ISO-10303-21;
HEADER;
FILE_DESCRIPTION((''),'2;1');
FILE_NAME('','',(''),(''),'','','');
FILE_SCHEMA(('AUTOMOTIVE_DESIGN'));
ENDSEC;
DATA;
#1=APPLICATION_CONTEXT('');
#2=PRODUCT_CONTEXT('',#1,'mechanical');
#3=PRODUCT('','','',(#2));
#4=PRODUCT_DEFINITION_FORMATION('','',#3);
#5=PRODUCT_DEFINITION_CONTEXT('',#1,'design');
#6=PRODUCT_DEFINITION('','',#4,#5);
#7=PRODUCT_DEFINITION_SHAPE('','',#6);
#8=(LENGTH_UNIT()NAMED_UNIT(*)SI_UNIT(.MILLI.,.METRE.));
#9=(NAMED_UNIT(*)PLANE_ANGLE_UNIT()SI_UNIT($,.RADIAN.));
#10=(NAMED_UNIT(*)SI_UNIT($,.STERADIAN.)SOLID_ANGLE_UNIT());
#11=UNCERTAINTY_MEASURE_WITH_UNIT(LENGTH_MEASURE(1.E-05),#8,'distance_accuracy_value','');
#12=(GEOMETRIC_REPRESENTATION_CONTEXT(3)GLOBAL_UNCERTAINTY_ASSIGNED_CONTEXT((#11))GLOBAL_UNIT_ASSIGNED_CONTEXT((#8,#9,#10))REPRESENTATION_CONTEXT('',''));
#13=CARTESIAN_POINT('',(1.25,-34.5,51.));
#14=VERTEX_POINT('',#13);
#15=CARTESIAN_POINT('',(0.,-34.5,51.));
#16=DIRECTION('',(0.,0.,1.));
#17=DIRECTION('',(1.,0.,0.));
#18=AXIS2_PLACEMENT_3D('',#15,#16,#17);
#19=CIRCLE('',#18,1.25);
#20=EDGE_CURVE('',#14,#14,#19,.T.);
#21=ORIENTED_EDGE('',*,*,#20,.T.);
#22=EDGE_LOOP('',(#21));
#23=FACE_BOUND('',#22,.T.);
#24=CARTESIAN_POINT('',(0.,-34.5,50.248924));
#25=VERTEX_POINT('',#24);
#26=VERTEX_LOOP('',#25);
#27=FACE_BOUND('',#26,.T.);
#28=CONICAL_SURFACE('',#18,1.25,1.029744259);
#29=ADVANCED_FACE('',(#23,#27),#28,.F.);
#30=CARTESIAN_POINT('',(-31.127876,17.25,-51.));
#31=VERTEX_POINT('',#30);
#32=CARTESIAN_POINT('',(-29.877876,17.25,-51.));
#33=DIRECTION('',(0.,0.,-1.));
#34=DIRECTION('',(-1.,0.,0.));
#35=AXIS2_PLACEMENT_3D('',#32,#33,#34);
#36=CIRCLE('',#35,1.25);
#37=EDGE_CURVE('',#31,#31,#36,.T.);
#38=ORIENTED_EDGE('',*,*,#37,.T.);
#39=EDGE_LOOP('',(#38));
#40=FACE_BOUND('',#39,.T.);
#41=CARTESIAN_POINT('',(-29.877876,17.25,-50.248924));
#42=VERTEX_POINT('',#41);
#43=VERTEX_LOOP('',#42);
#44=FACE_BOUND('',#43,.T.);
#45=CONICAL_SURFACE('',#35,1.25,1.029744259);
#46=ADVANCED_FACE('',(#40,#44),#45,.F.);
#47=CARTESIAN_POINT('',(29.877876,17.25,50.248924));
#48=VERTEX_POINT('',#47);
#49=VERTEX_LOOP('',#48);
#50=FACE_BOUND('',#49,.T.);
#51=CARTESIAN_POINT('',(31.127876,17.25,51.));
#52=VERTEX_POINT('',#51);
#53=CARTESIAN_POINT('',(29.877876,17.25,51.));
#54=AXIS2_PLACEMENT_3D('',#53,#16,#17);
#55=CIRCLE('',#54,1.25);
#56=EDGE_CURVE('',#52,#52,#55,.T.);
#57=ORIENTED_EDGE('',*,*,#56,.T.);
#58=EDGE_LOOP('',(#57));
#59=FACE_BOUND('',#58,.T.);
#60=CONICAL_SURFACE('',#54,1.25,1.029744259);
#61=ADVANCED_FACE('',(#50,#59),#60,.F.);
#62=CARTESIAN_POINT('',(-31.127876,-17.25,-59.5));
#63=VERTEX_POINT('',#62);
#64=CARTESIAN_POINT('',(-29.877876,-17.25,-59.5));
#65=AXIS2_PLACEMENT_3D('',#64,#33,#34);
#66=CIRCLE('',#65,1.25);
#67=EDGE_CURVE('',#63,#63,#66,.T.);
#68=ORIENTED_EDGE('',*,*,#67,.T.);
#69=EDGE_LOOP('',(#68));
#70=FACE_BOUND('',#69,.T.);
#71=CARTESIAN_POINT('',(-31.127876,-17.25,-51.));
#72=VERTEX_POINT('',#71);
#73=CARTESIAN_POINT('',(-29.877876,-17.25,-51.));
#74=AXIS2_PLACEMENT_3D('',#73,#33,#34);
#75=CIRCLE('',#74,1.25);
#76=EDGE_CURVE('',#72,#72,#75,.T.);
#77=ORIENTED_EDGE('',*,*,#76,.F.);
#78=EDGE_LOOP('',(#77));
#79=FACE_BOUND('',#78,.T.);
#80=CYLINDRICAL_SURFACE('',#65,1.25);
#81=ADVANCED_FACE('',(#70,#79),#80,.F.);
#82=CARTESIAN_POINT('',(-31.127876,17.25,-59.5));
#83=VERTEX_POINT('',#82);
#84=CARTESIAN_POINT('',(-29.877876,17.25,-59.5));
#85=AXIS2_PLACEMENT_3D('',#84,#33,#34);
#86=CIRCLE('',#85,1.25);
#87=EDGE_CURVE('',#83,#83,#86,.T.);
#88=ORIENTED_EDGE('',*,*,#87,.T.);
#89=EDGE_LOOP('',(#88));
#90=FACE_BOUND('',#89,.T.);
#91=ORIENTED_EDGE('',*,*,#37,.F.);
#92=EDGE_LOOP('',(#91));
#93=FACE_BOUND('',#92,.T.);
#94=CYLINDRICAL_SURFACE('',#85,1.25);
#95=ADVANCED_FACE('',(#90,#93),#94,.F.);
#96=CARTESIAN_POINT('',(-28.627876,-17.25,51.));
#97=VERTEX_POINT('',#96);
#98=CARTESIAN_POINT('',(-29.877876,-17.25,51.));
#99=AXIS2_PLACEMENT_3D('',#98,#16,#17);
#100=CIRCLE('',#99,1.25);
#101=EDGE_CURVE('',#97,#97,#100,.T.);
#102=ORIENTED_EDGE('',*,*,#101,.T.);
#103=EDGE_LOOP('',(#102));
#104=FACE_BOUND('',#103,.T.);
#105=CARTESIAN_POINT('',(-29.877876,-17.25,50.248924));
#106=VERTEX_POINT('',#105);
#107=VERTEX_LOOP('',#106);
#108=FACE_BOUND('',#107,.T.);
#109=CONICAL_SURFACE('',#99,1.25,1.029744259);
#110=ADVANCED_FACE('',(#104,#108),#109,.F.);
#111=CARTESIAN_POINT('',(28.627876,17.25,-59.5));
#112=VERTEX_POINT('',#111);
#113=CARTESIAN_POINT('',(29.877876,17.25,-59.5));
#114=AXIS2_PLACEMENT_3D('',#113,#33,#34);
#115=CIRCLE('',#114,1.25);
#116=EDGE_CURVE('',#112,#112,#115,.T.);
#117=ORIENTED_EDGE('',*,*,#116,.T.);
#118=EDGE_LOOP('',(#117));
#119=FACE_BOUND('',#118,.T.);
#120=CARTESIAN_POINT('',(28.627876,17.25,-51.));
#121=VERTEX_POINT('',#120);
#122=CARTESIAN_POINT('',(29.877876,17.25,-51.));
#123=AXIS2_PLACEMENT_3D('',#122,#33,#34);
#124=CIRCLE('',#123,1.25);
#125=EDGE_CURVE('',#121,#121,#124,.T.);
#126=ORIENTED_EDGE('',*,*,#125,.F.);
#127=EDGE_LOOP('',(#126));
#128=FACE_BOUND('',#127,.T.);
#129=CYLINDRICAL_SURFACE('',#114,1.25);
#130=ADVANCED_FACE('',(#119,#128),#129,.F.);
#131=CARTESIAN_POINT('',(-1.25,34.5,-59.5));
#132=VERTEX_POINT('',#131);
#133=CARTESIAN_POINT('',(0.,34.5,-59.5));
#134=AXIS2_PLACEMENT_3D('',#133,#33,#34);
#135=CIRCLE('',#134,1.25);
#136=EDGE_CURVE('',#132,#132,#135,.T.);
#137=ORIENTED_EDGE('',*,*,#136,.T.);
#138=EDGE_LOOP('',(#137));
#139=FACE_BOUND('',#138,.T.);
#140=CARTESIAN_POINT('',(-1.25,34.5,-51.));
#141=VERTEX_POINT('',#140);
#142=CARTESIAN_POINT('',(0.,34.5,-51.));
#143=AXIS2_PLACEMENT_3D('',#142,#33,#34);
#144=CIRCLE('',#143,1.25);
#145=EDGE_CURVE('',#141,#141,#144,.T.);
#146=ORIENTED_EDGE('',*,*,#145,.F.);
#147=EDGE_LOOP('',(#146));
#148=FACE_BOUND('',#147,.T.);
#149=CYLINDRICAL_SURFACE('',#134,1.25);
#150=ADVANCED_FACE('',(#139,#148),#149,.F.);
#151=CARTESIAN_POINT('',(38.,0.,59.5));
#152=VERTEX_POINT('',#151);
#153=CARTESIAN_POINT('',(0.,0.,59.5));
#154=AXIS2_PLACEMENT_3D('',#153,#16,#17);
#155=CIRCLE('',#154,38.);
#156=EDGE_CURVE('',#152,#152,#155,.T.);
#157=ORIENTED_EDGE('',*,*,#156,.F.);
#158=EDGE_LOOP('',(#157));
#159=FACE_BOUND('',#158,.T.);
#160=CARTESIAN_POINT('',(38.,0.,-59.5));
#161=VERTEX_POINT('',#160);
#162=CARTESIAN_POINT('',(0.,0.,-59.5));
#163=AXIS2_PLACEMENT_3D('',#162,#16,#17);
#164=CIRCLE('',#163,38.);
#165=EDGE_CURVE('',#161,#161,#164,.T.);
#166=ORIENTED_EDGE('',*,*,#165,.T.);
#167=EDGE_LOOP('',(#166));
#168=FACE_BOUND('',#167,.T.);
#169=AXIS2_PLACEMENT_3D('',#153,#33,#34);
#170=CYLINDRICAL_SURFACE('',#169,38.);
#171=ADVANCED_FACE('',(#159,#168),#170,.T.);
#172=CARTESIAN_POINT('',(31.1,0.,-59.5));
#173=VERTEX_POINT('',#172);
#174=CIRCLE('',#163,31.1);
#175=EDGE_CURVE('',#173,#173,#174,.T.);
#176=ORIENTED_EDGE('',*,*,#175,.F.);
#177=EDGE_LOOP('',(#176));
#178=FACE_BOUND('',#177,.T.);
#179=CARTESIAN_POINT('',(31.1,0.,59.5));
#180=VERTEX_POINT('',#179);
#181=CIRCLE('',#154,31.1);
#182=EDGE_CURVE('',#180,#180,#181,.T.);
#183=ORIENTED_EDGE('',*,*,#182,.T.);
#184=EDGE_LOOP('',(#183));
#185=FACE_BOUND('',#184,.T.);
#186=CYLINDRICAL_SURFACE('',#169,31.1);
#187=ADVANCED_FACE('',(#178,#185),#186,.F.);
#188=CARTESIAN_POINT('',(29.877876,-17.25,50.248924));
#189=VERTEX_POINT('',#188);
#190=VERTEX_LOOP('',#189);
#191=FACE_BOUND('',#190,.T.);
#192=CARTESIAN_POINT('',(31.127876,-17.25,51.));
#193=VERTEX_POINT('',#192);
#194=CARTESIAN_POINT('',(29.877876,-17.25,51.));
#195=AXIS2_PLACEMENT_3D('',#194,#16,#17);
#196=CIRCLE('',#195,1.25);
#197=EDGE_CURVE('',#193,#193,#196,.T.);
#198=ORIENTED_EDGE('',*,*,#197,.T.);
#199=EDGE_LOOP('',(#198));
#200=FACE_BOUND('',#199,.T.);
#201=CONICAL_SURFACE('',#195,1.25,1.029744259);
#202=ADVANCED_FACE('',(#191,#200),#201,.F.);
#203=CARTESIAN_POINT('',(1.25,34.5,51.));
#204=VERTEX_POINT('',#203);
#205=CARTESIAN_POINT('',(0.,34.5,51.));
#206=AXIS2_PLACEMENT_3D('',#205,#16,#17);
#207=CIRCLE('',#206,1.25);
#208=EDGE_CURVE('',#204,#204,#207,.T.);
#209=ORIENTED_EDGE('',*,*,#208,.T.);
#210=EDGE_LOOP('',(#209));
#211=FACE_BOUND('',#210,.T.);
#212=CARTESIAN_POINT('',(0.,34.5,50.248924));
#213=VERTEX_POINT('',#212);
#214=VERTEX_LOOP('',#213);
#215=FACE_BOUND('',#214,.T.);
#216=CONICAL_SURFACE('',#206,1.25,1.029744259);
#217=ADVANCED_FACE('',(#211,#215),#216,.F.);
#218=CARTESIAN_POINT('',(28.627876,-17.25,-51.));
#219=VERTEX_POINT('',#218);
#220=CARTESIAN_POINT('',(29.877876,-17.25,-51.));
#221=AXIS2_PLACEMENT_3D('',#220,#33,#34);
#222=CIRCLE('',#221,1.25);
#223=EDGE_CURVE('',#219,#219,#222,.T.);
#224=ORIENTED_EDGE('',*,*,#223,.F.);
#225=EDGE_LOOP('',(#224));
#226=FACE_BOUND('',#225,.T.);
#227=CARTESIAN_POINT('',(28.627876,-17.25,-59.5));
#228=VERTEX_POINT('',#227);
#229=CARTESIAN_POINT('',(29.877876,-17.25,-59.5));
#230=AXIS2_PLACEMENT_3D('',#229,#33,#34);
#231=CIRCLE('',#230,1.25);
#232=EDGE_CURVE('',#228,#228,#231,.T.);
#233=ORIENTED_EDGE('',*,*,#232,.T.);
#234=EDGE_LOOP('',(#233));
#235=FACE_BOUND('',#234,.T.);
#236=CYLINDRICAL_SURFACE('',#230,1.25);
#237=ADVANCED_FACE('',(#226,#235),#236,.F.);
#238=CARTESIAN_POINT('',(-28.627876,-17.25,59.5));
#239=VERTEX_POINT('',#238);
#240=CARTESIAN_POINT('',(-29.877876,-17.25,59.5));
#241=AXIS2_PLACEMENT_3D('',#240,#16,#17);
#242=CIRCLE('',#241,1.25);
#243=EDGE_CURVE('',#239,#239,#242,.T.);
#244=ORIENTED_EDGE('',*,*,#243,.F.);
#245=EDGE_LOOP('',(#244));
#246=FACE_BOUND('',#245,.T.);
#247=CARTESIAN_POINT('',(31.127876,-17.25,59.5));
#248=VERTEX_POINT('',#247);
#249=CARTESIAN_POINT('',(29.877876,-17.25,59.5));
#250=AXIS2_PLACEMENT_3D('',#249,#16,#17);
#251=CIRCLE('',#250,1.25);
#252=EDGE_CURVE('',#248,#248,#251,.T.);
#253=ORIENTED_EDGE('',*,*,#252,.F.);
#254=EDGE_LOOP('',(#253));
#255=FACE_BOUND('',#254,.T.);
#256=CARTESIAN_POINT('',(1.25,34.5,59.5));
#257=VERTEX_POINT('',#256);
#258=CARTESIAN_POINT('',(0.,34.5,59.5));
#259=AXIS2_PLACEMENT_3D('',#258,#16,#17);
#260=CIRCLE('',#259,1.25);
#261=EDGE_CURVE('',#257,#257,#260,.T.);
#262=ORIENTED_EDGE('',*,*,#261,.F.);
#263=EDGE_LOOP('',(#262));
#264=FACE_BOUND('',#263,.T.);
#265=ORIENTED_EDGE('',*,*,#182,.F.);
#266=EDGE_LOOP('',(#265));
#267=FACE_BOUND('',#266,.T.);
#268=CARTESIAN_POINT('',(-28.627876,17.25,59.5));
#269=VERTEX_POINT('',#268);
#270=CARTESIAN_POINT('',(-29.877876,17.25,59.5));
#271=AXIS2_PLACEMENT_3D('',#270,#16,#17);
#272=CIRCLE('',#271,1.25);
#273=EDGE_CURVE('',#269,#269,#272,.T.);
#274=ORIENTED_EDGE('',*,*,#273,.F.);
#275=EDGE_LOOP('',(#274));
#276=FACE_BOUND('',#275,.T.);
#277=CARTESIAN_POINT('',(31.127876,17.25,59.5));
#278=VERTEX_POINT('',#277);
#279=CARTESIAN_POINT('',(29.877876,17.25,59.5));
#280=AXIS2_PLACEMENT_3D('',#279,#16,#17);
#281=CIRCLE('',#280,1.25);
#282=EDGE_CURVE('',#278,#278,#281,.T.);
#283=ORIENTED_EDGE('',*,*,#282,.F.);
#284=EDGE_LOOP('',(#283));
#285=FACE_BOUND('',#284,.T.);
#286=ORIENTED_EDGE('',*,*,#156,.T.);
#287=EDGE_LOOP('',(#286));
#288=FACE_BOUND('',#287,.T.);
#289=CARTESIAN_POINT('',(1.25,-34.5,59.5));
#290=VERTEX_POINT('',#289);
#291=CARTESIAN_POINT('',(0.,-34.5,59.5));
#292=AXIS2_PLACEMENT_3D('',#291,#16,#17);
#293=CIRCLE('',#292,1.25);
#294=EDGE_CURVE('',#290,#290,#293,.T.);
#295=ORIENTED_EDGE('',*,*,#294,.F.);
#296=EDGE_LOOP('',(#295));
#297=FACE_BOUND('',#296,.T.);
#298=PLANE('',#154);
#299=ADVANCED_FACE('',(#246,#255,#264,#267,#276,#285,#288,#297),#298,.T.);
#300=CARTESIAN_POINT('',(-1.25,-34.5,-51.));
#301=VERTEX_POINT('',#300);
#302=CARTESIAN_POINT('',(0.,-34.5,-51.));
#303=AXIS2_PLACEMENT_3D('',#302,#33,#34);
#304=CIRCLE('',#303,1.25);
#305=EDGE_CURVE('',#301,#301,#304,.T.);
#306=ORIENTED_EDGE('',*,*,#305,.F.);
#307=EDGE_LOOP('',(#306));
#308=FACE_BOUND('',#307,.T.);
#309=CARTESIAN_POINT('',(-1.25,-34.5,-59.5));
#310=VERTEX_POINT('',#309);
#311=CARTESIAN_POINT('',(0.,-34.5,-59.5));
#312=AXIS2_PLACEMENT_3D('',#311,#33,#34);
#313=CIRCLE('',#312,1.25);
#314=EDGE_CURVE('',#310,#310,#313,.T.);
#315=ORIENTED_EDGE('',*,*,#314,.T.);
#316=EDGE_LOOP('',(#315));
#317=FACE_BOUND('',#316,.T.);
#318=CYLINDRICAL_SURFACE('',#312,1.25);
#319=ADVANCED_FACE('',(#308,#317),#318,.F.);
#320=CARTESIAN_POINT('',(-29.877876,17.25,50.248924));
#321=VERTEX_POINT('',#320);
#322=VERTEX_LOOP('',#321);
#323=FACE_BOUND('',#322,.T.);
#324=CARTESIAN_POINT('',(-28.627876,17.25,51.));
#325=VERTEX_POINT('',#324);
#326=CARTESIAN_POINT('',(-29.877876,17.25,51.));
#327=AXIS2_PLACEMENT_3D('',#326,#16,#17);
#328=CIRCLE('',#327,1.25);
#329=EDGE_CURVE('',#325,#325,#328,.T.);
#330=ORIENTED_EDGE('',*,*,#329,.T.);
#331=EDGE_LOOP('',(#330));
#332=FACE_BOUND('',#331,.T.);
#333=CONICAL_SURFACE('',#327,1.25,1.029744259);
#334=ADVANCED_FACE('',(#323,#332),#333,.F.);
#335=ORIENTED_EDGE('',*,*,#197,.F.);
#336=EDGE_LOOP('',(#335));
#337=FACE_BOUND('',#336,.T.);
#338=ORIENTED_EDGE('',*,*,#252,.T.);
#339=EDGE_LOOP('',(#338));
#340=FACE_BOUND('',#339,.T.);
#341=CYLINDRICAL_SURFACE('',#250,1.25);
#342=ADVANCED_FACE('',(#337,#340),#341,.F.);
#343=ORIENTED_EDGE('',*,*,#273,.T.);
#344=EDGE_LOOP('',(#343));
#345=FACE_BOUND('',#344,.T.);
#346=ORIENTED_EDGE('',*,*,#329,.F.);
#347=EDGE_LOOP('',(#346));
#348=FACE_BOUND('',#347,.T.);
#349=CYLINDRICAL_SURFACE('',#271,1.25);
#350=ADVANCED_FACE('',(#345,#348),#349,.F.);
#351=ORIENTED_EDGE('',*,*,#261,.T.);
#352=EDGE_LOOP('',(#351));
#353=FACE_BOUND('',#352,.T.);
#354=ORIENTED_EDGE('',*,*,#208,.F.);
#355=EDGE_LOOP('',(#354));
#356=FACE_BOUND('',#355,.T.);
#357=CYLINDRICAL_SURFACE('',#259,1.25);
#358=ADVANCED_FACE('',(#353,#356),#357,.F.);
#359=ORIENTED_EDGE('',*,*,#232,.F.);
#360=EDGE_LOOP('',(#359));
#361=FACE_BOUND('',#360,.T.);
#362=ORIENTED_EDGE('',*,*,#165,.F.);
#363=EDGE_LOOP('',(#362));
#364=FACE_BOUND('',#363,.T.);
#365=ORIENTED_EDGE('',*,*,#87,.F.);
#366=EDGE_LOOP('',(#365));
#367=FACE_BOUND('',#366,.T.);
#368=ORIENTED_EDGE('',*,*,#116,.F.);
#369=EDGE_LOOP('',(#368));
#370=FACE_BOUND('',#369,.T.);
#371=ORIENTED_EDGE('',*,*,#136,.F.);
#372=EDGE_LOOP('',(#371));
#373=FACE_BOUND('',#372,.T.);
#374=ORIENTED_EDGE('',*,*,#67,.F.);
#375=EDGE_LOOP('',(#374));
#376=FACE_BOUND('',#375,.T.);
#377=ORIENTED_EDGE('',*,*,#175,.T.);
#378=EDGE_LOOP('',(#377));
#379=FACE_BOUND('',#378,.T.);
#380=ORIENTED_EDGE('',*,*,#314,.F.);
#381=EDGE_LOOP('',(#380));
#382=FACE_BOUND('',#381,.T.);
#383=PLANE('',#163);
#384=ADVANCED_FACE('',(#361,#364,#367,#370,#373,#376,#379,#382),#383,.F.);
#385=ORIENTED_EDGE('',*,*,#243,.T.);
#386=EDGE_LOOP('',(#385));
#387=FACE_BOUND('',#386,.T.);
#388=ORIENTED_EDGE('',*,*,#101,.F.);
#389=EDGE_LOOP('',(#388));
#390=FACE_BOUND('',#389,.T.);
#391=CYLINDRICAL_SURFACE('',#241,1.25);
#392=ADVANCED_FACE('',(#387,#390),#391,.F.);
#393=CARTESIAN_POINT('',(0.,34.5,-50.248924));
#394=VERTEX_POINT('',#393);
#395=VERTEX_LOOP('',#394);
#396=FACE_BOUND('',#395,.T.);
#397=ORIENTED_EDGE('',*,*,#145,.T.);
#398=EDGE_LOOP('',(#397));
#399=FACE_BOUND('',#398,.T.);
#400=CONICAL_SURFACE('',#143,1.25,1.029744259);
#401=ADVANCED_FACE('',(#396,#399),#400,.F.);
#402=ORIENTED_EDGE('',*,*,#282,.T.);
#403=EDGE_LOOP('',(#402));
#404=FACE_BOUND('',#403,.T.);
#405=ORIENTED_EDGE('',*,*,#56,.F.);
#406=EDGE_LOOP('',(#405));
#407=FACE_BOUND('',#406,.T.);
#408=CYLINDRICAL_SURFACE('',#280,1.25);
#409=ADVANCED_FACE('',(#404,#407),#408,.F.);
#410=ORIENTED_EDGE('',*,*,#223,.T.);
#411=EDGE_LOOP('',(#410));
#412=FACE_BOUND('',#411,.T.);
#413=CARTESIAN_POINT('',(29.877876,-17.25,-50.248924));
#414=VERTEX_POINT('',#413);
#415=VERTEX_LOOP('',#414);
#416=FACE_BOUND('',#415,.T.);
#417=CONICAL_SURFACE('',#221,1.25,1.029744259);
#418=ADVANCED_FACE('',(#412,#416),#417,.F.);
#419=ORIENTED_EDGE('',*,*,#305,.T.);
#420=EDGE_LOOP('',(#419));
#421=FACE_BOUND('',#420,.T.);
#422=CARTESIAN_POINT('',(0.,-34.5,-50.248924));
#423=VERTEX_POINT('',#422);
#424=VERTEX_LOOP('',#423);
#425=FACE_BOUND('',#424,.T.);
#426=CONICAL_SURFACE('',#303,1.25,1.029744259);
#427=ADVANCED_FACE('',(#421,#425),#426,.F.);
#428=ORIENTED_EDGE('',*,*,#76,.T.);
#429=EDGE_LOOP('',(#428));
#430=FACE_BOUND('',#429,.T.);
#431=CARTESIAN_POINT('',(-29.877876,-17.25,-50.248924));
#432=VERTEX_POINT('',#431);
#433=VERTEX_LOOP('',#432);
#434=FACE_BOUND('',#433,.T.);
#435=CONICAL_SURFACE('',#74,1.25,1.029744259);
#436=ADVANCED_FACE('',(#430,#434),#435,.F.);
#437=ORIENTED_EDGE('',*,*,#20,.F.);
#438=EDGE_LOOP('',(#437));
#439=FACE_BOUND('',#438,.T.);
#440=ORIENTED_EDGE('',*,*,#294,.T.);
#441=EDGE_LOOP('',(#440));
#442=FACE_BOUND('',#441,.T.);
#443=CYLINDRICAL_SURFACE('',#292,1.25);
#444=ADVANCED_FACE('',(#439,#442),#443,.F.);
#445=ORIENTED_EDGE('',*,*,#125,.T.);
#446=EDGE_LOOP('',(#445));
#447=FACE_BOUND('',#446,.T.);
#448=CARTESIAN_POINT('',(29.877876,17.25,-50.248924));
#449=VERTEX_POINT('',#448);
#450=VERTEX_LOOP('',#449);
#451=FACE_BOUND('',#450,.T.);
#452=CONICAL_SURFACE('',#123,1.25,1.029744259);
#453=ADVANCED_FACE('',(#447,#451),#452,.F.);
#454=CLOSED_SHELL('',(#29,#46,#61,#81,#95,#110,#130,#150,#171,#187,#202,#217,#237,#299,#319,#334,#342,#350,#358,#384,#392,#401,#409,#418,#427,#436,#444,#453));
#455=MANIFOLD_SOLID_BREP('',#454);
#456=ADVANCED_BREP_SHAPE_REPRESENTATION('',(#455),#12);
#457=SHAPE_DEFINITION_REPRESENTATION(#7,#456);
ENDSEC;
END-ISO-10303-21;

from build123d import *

# Parameters (mm, degrees)
SKETCH_1_R                  = 38
SKETCH_1_R_2                = 31.1
EXTRUDE_1_DEPTH             = 59.5
HOLE_WIZARD_M3_1_AT_2_COUNT = 2
HOLE_WIZARD_M3_1_AT_2_PITCH = 34.5
HOLE_WIZARD_M3_1_AT_3_COUNT = 2
HOLE_WIZARD_M3_1_AT_3_PITCH = 59.755752861
HOLE_WIZARD_M3_1_AT_4_COUNT = 2
HOLE_WIZARD_M3_1_AT_4_PITCH = 69
HOLE_WIZARD_M3_1_AT_5_COUNT = 2
HOLE_WIZARD_M3_1_AT_5_PITCH = 59.755752861
HOLE_WIZARD_M3_1_AT_6_COUNT = 2
HOLE_WIZARD_M3_1_AT_6_PITCH = 34.5


with BuildPart() as part:
    # 草图1 → 凸台-拉伸1 (new, symmetric)
    with BuildSketch(Plane.XY):
        Circle(SKETCH_1_R)
        Circle(SKETCH_1_R_2, mode=Mode.SUBTRACT)
    extrude(amount=EXTRUDE_1_DEPTH, both=True)

    # 草图2 → M3 螺纹孔1 (revolve, cut)
    with BuildSketch(Plane(origin=(0, 34.5, 59.5), x_dir=(0, -1, 0), z_dir=(1, 0, 0))):
        Polygon((0, 0), (0, 9.251075774), (1.25, 8.5), (1.25, 0), align=None)
    hole_wizard_m3_1 = revolve(axis=Axis((0, 34.5, 65.85), (0, 0, -1)), mode=Mode.SUBTRACT)

    # M3 螺纹孔1 at 2: M3 螺纹孔1 ×2
    with Locations(*[Vector(0.8660254037844671, -0.49999999999995076, 0) * (i * HOLE_WIZARD_M3_1_AT_2_PITCH) for i in range(1, HOLE_WIZARD_M3_1_AT_2_COUNT)]):
        add(hole_wizard_m3_1, mode=Mode.SUBTRACT)

    # M3 螺纹孔1 at 3: M3 螺纹孔1 ×2
    with Locations(*[Vector(0.5000000000000492, -0.8660254037844103, 0) * (i * HOLE_WIZARD_M3_1_AT_3_PITCH) for i in range(1, HOLE_WIZARD_M3_1_AT_3_COUNT)]):
        add(hole_wizard_m3_1, mode=Mode.SUBTRACT)

    # M3 螺纹孔1 at 4: M3 螺纹孔1 ×2
    with Locations(*[(0, -i * HOLE_WIZARD_M3_1_AT_4_PITCH, 0) for i in range(1, HOLE_WIZARD_M3_1_AT_4_COUNT)]):
        add(hole_wizard_m3_1, mode=Mode.SUBTRACT)

    # M3 螺纹孔1 at 5: M3 螺纹孔1 ×2
    with Locations(*[Vector(-0.49999999999995076, -0.866025403784467, 0) * (i * HOLE_WIZARD_M3_1_AT_5_PITCH) for i in range(1, HOLE_WIZARD_M3_1_AT_5_COUNT)]):
        add(hole_wizard_m3_1, mode=Mode.SUBTRACT)

    # M3 螺纹孔1 at 6: M3 螺纹孔1 ×2
    with Locations(*[Vector(-0.8660254037844105, -0.5000000000000487, 0) * (i * HOLE_WIZARD_M3_1_AT_6_PITCH) for i in range(1, HOLE_WIZARD_M3_1_AT_6_COUNT)]):
        add(hole_wizard_m3_1, mode=Mode.SUBTRACT)

    # 镜向1: M3 螺纹孔1 across plane
    add(hole_wizard_m3_1.mirror(Plane.XY), mode=Mode.SUBTRACT)

    # 镜向1 copy 1 sketch → 镜向1 copy 1 (revolve, cut)
    with BuildSketch(Plane(origin=(29.877876431, 17.25, -59.5), x_dir=(0, -1, 0), z_dir=(1, 0, 0))):
        Polygon((0, 0), (0, -9.251075774), (1.25, -8.5), (1.25, 0), align=None)
    revolve(axis=Axis((29.877876431, 17.25, -65.85), (0, 0, -1)), mode=Mode.SUBTRACT)

    # 镜向1 copy 2 sketch → 镜向1 copy 2 (revolve, cut)
    with BuildSketch(Plane(origin=(29.877876431, -17.25, -59.5), x_dir=(0, -1, 0), z_dir=(1, 0, 0))):
        Polygon((0, 0), (0, -9.251075774), (1.25, -8.5), (1.25, 0), align=None)
    revolve(axis=Axis((29.877876431, -17.25, -65.85), (0, 0, -1)), mode=Mode.SUBTRACT)

    # 镜向1 copy 3 sketch → 镜向1 copy 3 (revolve, cut)
    with BuildSketch(Plane(origin=(0, -34.5, -59.5), x_dir=(0, -1, 0), z_dir=(1, 0, 0))):
        Polygon((0, 0), (0, -9.251075774), (1.25, -8.5), (1.25, 0), align=None)
    revolve(axis=Axis((0, -34.5, -65.85), (0, 0, -1)), mode=Mode.SUBTRACT)

    # 镜向1 copy 4 sketch → 镜向1 copy 4 (revolve, cut)
    with BuildSketch(Plane(origin=(-29.877876431, -17.25, -59.5), x_dir=(0, -1, 0), z_dir=(1, 0, 0))):
        Polygon((0, 0), (0, -9.251075774), (1.25, -8.5), (1.25, 0), align=None)
    revolve(axis=Axis((-29.877876431, -17.25, -65.85), (0, 0, -1)), mode=Mode.SUBTRACT)

    # 镜向1 copy 5 sketch → 镜向1 copy 5 (revolve, cut)
    with BuildSketch(Plane(origin=(-29.877876431, 17.25, -59.5), x_dir=(0, -1, 0), z_dir=(1, 0, 0))):
        Polygon((0, 0), (0, -9.251075774), (1.25, -8.5), (1.25, 0), align=None)
    revolve(axis=Axis((-29.877876431, 17.25, -65.85), (0, 0, -1)), mode=Mode.SUBTRACT)


solid = part.part
